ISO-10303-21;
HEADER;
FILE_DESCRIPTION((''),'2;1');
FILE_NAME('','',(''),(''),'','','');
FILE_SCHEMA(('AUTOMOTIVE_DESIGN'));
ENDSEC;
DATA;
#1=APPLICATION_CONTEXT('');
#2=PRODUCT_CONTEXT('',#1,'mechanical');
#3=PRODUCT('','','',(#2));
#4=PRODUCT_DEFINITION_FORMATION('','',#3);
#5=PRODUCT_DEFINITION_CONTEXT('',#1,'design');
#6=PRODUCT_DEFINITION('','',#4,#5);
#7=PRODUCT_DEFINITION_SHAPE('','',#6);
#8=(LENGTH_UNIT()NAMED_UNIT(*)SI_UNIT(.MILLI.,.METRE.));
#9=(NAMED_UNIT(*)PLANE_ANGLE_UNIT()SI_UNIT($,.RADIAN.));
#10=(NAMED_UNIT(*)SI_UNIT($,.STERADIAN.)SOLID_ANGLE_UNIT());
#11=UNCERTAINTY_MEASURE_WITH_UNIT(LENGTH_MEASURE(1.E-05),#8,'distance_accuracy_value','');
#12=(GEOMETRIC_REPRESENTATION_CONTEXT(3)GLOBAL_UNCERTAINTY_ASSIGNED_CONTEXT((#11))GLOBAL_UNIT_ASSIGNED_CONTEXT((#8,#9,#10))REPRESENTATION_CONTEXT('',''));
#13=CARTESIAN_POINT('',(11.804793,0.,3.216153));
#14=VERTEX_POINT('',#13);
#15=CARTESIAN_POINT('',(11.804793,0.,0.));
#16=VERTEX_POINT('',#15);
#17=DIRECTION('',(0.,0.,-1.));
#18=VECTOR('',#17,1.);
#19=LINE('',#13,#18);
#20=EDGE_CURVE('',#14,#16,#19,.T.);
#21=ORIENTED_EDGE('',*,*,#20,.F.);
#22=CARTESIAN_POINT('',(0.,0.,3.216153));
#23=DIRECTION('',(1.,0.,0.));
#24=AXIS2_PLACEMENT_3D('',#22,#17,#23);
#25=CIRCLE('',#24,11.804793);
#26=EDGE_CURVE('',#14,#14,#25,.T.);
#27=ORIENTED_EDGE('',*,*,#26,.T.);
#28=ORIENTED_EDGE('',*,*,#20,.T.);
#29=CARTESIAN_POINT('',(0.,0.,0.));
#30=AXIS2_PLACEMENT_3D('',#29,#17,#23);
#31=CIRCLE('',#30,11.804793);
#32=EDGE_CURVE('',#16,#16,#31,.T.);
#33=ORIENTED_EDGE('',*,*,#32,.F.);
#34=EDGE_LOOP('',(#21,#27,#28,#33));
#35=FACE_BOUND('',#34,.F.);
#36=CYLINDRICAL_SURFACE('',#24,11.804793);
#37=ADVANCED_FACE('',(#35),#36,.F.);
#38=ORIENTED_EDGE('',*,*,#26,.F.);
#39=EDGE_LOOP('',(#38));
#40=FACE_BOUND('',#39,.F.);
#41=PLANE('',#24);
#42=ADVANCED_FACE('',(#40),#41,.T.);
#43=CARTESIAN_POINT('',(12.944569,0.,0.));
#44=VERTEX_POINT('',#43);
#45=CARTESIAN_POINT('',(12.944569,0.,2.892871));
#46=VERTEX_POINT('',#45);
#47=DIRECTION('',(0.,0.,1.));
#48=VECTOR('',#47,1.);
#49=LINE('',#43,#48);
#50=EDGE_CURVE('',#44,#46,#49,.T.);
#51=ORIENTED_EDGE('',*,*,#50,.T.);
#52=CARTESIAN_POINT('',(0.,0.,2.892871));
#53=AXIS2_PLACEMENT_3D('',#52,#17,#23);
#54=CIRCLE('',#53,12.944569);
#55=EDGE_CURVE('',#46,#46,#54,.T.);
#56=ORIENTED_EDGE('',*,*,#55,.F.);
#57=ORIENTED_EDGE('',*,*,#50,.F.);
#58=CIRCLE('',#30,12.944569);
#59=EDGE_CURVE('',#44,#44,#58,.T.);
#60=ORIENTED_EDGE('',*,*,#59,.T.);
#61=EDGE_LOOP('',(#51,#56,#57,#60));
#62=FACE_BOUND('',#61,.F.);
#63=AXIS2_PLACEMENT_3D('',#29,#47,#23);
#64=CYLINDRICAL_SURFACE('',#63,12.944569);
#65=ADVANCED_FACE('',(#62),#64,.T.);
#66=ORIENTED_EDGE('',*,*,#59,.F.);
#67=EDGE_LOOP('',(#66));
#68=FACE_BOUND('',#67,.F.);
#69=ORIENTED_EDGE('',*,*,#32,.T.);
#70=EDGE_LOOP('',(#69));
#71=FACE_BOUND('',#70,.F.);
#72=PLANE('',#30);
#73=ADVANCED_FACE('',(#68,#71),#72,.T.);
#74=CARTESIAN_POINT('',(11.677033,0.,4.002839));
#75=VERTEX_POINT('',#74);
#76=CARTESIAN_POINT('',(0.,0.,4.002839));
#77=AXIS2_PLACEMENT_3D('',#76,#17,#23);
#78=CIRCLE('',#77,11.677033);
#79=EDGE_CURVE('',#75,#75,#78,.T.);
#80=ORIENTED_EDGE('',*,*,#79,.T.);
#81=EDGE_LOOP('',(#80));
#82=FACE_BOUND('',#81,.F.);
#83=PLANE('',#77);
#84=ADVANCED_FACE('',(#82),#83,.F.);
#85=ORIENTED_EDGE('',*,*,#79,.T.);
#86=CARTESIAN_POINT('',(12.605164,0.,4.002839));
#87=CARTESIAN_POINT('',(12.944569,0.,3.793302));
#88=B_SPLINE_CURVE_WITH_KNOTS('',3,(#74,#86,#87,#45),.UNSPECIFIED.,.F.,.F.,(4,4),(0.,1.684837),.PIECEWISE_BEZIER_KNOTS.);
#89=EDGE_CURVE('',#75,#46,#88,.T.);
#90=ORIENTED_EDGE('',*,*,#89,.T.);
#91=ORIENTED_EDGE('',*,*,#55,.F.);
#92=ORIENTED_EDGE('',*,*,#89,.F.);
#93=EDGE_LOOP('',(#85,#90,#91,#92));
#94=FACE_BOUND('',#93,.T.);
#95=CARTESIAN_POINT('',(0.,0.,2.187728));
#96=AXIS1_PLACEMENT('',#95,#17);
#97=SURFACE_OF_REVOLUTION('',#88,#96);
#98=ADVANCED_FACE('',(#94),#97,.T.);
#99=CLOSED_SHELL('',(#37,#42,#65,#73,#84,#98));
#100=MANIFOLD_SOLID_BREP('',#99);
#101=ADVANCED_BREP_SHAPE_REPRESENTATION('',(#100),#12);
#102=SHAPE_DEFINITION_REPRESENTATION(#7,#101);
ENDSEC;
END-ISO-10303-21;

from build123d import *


with BuildPart() as f1:
    # F0 (on Front) → F1 (revolve)
    with BuildSketch(Plane.XZ):
        with BuildLine():
            Line((11.804793, 2.709576), (11.804793, 0))
            Line((11.804793, 0), (12.944569, 0))
            Line((12.944569, 0), (12.944569, 2.892871))
            add(Edge.make_bspline(
                [(11.677033, 4.002839), (12.605164, 4.002839), (12.944569, 3.793302), (12.944569, 2.892871)],
                knots=[0, 0, 0, 0, 1.684837, 1.684837, 1.684837, 1.684837], degree=3))
            Line((11.677033, 4.002839), (0, 4.002839))
            Line((0, 4.002839), (0, 3.216153))
            Line((0, 3.216153), (11.241322, 3.216153))
            Line((11.241322, 3.216153), (11.804793, 3.216153))
            Line((11.804793, 3.216153), (11.804793, 2.709576))
        make_face()
    revolve(axis=Axis((0, 0, 2.187728), (0, 0, -1)))


solid = f1.part
